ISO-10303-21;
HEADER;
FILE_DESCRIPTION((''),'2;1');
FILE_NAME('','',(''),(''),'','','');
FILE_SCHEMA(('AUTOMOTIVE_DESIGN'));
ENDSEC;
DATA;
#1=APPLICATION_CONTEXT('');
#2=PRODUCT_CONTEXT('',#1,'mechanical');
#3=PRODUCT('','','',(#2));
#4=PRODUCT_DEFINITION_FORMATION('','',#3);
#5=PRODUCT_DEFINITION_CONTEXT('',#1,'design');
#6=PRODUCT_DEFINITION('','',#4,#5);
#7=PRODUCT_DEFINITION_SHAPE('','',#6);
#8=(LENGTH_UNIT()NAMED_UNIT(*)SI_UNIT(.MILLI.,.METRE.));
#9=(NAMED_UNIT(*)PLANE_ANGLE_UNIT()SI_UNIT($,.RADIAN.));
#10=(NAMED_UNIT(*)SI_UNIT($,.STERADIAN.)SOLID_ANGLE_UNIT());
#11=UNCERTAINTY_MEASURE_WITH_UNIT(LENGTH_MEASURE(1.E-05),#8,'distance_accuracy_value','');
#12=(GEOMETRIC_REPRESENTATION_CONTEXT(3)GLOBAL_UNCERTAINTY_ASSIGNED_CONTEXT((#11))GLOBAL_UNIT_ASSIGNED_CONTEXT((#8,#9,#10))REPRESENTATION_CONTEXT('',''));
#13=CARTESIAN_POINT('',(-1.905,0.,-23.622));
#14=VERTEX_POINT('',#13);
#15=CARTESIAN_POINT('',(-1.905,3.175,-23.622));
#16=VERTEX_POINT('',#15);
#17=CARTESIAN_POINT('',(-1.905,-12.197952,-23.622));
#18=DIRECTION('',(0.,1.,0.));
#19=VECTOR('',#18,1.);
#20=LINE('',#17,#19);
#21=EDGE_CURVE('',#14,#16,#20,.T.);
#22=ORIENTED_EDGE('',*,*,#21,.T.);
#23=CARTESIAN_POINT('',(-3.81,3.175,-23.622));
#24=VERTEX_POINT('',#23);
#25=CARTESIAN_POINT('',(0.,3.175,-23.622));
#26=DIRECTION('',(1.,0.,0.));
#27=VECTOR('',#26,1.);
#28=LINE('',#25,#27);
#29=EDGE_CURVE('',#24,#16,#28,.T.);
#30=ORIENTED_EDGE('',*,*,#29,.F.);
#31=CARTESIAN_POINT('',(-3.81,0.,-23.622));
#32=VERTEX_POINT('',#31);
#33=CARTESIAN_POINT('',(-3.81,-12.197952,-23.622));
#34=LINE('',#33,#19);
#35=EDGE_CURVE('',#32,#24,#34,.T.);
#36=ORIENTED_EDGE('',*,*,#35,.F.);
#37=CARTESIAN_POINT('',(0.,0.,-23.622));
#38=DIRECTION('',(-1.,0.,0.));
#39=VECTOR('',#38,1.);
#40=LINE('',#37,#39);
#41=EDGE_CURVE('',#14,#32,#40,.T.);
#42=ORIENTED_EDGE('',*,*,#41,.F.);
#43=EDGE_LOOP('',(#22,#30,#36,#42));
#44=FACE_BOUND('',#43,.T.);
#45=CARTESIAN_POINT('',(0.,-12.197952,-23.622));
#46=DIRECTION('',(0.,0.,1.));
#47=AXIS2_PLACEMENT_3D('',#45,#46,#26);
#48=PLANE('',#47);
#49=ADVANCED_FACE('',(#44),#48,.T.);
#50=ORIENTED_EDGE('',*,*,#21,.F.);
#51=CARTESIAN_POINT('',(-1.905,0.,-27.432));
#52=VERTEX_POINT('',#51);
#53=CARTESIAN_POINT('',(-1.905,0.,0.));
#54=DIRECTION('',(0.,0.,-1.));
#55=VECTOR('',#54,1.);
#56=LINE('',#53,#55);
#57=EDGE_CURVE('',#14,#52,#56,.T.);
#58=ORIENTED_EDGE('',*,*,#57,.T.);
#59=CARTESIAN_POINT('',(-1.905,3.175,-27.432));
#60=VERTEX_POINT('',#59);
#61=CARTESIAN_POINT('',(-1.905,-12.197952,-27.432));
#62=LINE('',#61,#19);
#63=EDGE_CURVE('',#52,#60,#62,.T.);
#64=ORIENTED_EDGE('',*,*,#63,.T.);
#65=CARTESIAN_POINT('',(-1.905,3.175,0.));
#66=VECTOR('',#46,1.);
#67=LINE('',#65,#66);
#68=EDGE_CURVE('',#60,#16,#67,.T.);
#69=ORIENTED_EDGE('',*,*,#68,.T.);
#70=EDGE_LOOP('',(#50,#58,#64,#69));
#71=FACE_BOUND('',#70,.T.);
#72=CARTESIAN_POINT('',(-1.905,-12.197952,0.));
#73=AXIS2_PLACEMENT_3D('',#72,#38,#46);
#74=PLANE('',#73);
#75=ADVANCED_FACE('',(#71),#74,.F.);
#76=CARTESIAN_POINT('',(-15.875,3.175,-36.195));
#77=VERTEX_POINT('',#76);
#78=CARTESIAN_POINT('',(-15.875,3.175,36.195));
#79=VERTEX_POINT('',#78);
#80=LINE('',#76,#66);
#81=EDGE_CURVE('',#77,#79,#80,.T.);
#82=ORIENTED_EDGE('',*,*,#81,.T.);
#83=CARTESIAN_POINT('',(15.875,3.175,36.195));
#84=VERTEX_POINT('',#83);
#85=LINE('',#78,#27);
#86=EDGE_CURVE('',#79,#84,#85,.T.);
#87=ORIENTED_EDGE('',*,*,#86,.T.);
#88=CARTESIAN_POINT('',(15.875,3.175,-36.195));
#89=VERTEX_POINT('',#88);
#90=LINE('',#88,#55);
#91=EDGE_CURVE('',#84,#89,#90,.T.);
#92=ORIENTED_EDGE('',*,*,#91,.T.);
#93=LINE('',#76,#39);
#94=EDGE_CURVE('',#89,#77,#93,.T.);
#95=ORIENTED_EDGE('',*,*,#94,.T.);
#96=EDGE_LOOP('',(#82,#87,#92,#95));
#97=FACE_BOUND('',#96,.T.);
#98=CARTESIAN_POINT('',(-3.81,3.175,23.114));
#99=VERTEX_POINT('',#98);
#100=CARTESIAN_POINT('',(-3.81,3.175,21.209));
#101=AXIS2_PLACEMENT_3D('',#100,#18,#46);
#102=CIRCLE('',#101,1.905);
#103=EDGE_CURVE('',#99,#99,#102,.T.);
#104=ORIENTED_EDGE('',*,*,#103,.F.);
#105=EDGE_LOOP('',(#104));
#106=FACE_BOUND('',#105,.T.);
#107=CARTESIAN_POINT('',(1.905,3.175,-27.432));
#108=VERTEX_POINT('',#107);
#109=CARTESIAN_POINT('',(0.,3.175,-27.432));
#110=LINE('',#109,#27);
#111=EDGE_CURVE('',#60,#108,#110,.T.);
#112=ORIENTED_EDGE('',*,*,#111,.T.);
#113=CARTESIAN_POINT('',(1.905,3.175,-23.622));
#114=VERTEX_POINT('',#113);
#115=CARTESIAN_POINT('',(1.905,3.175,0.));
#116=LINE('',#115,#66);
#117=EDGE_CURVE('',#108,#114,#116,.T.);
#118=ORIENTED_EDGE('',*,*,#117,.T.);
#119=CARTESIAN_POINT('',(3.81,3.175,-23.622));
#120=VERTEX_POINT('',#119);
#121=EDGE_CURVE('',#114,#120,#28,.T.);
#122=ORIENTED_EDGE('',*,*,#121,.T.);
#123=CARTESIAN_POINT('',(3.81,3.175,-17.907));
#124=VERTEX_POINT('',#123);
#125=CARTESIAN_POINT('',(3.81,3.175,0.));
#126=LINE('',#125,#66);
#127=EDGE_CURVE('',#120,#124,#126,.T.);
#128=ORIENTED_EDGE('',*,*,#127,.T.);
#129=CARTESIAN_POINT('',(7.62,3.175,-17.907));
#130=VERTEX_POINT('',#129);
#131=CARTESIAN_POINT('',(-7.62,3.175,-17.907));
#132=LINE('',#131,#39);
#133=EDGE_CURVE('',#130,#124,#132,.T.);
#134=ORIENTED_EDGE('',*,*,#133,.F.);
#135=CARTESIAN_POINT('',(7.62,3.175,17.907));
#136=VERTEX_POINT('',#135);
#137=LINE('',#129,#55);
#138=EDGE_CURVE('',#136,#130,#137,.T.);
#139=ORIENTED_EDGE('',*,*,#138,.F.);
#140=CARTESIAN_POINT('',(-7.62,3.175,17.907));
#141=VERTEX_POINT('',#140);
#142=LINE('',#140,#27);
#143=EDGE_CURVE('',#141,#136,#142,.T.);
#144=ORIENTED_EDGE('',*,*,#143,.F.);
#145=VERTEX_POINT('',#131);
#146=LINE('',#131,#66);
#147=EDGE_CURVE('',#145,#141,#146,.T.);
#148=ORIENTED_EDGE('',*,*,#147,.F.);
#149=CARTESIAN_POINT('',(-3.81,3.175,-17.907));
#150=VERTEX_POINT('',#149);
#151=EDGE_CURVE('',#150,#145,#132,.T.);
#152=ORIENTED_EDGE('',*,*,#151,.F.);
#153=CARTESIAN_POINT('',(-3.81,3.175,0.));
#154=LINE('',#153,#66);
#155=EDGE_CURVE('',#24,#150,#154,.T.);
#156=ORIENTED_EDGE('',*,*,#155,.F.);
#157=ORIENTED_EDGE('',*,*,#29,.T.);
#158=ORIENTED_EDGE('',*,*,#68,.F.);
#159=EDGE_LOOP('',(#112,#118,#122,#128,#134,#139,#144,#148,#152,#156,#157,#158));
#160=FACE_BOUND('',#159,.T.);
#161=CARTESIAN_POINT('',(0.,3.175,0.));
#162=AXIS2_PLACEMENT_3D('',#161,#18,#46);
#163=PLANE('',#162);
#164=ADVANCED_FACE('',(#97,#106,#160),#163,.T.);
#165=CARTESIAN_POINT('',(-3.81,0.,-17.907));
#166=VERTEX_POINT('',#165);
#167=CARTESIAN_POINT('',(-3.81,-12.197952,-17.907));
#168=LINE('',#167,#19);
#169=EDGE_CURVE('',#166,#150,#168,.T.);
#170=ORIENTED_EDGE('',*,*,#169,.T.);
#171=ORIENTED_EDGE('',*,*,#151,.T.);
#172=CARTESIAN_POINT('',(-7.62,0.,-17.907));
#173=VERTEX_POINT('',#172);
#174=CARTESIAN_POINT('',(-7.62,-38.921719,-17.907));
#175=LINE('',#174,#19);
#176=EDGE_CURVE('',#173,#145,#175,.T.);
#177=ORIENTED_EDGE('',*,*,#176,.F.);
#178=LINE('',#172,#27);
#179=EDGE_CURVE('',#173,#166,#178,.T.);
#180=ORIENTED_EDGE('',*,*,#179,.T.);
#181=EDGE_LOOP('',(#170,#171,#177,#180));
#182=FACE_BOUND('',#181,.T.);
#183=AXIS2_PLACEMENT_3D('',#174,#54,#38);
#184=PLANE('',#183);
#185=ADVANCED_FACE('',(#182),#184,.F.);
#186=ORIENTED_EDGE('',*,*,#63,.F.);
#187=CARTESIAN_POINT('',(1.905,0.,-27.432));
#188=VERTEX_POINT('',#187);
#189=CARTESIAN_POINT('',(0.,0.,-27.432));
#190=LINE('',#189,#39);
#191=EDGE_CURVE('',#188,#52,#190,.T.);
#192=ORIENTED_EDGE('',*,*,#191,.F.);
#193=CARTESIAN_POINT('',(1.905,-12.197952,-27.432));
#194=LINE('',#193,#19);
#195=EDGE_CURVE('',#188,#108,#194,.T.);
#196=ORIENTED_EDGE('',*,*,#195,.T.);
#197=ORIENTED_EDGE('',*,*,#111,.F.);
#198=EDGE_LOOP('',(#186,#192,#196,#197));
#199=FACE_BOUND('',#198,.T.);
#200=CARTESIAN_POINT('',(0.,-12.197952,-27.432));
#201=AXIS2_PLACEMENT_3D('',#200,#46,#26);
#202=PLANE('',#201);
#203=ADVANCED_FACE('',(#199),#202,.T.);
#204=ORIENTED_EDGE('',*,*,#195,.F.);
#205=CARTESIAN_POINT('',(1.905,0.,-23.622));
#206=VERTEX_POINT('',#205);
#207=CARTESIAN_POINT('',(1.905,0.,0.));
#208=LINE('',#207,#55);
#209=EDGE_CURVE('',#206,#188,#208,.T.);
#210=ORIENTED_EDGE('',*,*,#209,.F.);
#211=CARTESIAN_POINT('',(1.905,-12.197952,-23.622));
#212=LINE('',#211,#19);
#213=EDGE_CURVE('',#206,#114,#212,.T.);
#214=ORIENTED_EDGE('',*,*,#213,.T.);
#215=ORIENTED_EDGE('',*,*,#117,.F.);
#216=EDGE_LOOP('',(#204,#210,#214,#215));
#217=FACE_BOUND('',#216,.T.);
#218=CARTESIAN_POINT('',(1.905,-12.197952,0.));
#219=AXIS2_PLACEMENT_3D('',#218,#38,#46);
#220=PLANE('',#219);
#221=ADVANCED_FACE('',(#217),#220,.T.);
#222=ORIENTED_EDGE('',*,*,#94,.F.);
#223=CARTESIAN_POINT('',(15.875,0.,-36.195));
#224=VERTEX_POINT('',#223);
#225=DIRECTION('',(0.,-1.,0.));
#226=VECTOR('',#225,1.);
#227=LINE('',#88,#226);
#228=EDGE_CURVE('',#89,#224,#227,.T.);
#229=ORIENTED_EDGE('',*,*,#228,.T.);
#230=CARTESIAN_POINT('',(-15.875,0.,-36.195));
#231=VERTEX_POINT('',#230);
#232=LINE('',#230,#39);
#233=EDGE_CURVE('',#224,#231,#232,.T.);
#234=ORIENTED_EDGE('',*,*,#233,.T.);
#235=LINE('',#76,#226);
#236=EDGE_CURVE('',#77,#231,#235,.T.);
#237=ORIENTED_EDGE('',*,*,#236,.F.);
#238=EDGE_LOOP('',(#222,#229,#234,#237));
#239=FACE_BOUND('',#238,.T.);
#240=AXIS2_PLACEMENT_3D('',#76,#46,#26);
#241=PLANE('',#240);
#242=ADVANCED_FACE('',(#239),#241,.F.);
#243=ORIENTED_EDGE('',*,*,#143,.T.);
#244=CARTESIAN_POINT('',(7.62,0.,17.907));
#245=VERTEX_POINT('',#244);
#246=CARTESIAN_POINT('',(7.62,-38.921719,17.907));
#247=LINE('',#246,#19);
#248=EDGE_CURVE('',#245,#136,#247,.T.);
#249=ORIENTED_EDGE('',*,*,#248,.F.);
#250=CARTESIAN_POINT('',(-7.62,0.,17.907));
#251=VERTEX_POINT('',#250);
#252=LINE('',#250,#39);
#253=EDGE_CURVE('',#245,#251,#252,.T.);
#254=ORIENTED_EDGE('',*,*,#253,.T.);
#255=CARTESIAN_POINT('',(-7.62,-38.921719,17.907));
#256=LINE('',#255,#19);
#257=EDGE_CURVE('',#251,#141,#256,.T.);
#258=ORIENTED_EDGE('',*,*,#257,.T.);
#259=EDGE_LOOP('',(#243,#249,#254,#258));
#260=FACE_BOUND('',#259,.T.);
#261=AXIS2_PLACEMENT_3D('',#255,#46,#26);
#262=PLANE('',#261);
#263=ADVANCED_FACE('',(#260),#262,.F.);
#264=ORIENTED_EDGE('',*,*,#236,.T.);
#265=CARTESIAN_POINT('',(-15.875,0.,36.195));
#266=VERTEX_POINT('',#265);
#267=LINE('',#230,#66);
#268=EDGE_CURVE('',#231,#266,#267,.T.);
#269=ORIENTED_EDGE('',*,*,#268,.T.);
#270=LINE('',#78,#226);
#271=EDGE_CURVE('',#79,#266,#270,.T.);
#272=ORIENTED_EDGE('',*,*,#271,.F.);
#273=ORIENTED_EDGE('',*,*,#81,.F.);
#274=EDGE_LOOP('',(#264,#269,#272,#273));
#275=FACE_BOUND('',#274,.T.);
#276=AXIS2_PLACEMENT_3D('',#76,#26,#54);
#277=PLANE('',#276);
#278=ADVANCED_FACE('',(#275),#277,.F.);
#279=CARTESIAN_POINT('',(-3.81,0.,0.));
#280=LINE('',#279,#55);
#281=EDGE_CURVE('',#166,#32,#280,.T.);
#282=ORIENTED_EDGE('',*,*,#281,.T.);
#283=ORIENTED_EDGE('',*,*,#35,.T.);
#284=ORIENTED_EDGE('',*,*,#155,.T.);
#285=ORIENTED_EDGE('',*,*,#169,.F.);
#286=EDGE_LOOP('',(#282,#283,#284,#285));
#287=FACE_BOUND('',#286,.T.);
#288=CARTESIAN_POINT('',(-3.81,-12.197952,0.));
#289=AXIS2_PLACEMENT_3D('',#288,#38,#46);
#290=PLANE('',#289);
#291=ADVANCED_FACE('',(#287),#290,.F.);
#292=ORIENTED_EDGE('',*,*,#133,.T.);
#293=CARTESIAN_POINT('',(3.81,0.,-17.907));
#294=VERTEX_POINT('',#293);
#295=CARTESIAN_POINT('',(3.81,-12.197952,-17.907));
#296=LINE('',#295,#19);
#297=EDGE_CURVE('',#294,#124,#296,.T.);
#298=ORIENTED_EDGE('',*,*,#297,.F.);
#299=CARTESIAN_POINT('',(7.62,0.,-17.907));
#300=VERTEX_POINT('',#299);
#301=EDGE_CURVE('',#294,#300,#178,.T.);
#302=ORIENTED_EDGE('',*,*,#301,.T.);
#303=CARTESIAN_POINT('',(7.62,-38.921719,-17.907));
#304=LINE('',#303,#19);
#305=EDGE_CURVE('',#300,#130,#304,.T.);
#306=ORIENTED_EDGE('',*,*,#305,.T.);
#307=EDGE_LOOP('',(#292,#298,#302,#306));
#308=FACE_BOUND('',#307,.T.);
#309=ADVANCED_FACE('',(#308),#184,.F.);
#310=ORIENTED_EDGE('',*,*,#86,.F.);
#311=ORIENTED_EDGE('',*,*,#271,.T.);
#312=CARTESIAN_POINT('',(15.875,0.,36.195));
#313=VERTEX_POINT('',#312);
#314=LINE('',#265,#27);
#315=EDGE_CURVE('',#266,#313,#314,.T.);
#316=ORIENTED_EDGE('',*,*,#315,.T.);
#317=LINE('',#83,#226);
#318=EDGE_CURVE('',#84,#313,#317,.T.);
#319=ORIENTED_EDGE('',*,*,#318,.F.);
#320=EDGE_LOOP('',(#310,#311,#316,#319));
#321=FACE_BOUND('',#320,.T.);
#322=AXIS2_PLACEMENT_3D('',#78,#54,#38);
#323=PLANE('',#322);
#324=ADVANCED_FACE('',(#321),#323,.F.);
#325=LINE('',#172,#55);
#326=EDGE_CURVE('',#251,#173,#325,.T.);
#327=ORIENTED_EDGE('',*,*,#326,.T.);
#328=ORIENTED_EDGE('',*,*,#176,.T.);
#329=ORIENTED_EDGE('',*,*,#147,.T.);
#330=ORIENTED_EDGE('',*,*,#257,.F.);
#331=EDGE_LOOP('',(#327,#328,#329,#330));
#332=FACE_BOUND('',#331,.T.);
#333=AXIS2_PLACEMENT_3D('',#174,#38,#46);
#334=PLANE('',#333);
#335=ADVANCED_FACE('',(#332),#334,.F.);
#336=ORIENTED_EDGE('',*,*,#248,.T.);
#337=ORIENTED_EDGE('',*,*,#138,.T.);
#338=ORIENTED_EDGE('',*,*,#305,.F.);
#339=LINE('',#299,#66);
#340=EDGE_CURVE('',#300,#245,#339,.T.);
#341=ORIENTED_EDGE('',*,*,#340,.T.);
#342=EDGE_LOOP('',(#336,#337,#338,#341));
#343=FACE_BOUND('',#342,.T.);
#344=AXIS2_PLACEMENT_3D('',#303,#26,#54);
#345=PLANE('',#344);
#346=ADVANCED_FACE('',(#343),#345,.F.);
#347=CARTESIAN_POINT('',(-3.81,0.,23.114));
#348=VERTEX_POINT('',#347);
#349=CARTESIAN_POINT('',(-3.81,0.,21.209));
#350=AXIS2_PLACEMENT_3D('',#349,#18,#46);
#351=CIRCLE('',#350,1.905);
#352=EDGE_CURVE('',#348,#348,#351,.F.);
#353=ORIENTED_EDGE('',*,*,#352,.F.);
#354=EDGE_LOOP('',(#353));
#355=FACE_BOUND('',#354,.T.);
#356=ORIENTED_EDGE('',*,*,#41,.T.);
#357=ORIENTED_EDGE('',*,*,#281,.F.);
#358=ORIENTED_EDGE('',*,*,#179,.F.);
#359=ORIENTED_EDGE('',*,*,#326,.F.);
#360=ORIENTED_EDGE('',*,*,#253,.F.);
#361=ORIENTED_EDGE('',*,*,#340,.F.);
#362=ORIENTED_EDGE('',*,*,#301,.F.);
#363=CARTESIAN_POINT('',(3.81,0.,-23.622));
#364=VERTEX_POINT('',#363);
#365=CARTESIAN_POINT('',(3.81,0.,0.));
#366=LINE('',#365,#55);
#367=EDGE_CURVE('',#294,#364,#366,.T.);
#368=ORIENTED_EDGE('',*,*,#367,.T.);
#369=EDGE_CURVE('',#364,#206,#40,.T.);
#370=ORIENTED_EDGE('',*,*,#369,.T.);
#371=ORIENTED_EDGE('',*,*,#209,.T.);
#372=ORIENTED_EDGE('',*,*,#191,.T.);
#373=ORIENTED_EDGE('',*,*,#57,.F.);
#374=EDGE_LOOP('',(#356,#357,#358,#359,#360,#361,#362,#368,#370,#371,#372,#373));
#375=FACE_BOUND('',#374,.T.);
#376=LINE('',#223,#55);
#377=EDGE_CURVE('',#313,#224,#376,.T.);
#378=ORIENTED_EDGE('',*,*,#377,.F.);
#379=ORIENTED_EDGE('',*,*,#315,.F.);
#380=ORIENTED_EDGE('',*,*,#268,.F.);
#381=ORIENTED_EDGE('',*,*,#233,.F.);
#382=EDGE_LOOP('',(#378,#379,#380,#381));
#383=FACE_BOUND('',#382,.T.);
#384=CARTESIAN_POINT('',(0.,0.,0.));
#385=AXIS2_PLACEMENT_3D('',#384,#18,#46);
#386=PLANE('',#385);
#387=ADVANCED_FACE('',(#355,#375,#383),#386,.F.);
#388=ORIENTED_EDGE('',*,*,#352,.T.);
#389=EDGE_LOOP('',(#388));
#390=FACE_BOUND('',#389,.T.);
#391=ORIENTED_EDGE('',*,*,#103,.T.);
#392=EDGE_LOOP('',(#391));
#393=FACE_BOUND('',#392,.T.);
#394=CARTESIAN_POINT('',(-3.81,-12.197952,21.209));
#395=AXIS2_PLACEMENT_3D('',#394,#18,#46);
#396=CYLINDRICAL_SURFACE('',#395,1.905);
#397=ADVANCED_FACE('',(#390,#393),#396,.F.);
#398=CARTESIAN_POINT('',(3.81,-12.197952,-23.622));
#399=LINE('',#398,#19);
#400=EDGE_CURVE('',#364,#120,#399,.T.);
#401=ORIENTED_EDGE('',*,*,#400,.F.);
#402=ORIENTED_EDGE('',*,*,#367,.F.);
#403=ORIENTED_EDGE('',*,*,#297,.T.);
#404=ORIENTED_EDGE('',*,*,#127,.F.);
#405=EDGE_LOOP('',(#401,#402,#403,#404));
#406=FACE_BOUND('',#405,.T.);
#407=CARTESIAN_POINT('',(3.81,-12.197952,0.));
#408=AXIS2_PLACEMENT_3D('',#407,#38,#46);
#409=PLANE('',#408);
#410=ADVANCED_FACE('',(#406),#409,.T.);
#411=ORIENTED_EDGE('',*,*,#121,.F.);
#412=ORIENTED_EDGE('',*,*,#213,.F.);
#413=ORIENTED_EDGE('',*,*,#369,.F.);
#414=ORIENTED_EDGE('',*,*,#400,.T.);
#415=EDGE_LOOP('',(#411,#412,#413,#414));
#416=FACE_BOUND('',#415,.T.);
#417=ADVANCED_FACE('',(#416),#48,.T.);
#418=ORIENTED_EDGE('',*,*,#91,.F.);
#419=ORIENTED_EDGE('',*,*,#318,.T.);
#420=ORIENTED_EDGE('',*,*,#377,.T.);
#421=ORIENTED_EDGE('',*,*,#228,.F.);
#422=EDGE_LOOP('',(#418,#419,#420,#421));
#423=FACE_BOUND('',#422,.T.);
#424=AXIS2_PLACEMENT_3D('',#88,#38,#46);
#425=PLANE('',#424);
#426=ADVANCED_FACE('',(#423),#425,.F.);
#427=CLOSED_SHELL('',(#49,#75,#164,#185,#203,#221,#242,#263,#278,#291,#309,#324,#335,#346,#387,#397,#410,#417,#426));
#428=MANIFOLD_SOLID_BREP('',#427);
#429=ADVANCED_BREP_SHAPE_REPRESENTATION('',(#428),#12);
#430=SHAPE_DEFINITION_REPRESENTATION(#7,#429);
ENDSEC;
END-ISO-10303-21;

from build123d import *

# Parameters (mm, degrees)
SKETCH1_W           = 31.75
SKETCH1_H           = 72.39
BOSS_EXTRUDE1_DEPTH = 3.175
SKETCH3_W           = 15.24
SKETCH3_H           = 35.814
CUT_EXTRUDE1_DEPTH  = 3.175
SKETCH4_W           = 3.81
SKETCH4_H           = 3.81
SKETCH4_R           = 1.905
CUT_EXTRUDE9_DEPTH  = 3.175


with BuildPart() as part:
    # Sketch1 → Boss-Extrude1 (new body)
    with BuildSketch(Plane(origin=(0, 0, 0), x_dir=(1, 0, 0), z_dir=(0, 1, 0))):
        Rectangle(SKETCH1_W, SKETCH1_H)
    extrude(amount=BOSS_EXTRUDE1_DEPTH)

    # Sketch3 → Cut-Extrude1 (cut)
    with BuildSketch(Plane(origin=(0, 3.175, 0), x_dir=(1, 0, 0), z_dir=(0, 1, 0))):
        Rectangle(SKETCH3_W, SKETCH3_H)
    extrude(amount=-CUT_EXTRUDE1_DEPTH, mode=Mode.SUBTRACT)

    # Sketch4 → Cut-Extrude9 (cut)
    with BuildSketch(Plane(origin=(0, 3.175, 0), x_dir=(1, 0, 0), z_dir=(0, 1, 0))):
        Polygon((-3.81, 23.622), (-3.81, 17.907), (3.81, 17.907), (3.81, 23.622), (1.905, 23.622), (-1.905, 23.622), align=None)
        with Locations((0, 25.527)):
            Rectangle(SKETCH4_W, SKETCH4_H)
        with Locations(Location((-3.81, -21.209, 0), (0, 0, 270))):
            Circle(SKETCH4_R)
    extrude(amount=-CUT_EXTRUDE9_DEPTH, mode=Mode.SUBTRACT)


solid = part.part
